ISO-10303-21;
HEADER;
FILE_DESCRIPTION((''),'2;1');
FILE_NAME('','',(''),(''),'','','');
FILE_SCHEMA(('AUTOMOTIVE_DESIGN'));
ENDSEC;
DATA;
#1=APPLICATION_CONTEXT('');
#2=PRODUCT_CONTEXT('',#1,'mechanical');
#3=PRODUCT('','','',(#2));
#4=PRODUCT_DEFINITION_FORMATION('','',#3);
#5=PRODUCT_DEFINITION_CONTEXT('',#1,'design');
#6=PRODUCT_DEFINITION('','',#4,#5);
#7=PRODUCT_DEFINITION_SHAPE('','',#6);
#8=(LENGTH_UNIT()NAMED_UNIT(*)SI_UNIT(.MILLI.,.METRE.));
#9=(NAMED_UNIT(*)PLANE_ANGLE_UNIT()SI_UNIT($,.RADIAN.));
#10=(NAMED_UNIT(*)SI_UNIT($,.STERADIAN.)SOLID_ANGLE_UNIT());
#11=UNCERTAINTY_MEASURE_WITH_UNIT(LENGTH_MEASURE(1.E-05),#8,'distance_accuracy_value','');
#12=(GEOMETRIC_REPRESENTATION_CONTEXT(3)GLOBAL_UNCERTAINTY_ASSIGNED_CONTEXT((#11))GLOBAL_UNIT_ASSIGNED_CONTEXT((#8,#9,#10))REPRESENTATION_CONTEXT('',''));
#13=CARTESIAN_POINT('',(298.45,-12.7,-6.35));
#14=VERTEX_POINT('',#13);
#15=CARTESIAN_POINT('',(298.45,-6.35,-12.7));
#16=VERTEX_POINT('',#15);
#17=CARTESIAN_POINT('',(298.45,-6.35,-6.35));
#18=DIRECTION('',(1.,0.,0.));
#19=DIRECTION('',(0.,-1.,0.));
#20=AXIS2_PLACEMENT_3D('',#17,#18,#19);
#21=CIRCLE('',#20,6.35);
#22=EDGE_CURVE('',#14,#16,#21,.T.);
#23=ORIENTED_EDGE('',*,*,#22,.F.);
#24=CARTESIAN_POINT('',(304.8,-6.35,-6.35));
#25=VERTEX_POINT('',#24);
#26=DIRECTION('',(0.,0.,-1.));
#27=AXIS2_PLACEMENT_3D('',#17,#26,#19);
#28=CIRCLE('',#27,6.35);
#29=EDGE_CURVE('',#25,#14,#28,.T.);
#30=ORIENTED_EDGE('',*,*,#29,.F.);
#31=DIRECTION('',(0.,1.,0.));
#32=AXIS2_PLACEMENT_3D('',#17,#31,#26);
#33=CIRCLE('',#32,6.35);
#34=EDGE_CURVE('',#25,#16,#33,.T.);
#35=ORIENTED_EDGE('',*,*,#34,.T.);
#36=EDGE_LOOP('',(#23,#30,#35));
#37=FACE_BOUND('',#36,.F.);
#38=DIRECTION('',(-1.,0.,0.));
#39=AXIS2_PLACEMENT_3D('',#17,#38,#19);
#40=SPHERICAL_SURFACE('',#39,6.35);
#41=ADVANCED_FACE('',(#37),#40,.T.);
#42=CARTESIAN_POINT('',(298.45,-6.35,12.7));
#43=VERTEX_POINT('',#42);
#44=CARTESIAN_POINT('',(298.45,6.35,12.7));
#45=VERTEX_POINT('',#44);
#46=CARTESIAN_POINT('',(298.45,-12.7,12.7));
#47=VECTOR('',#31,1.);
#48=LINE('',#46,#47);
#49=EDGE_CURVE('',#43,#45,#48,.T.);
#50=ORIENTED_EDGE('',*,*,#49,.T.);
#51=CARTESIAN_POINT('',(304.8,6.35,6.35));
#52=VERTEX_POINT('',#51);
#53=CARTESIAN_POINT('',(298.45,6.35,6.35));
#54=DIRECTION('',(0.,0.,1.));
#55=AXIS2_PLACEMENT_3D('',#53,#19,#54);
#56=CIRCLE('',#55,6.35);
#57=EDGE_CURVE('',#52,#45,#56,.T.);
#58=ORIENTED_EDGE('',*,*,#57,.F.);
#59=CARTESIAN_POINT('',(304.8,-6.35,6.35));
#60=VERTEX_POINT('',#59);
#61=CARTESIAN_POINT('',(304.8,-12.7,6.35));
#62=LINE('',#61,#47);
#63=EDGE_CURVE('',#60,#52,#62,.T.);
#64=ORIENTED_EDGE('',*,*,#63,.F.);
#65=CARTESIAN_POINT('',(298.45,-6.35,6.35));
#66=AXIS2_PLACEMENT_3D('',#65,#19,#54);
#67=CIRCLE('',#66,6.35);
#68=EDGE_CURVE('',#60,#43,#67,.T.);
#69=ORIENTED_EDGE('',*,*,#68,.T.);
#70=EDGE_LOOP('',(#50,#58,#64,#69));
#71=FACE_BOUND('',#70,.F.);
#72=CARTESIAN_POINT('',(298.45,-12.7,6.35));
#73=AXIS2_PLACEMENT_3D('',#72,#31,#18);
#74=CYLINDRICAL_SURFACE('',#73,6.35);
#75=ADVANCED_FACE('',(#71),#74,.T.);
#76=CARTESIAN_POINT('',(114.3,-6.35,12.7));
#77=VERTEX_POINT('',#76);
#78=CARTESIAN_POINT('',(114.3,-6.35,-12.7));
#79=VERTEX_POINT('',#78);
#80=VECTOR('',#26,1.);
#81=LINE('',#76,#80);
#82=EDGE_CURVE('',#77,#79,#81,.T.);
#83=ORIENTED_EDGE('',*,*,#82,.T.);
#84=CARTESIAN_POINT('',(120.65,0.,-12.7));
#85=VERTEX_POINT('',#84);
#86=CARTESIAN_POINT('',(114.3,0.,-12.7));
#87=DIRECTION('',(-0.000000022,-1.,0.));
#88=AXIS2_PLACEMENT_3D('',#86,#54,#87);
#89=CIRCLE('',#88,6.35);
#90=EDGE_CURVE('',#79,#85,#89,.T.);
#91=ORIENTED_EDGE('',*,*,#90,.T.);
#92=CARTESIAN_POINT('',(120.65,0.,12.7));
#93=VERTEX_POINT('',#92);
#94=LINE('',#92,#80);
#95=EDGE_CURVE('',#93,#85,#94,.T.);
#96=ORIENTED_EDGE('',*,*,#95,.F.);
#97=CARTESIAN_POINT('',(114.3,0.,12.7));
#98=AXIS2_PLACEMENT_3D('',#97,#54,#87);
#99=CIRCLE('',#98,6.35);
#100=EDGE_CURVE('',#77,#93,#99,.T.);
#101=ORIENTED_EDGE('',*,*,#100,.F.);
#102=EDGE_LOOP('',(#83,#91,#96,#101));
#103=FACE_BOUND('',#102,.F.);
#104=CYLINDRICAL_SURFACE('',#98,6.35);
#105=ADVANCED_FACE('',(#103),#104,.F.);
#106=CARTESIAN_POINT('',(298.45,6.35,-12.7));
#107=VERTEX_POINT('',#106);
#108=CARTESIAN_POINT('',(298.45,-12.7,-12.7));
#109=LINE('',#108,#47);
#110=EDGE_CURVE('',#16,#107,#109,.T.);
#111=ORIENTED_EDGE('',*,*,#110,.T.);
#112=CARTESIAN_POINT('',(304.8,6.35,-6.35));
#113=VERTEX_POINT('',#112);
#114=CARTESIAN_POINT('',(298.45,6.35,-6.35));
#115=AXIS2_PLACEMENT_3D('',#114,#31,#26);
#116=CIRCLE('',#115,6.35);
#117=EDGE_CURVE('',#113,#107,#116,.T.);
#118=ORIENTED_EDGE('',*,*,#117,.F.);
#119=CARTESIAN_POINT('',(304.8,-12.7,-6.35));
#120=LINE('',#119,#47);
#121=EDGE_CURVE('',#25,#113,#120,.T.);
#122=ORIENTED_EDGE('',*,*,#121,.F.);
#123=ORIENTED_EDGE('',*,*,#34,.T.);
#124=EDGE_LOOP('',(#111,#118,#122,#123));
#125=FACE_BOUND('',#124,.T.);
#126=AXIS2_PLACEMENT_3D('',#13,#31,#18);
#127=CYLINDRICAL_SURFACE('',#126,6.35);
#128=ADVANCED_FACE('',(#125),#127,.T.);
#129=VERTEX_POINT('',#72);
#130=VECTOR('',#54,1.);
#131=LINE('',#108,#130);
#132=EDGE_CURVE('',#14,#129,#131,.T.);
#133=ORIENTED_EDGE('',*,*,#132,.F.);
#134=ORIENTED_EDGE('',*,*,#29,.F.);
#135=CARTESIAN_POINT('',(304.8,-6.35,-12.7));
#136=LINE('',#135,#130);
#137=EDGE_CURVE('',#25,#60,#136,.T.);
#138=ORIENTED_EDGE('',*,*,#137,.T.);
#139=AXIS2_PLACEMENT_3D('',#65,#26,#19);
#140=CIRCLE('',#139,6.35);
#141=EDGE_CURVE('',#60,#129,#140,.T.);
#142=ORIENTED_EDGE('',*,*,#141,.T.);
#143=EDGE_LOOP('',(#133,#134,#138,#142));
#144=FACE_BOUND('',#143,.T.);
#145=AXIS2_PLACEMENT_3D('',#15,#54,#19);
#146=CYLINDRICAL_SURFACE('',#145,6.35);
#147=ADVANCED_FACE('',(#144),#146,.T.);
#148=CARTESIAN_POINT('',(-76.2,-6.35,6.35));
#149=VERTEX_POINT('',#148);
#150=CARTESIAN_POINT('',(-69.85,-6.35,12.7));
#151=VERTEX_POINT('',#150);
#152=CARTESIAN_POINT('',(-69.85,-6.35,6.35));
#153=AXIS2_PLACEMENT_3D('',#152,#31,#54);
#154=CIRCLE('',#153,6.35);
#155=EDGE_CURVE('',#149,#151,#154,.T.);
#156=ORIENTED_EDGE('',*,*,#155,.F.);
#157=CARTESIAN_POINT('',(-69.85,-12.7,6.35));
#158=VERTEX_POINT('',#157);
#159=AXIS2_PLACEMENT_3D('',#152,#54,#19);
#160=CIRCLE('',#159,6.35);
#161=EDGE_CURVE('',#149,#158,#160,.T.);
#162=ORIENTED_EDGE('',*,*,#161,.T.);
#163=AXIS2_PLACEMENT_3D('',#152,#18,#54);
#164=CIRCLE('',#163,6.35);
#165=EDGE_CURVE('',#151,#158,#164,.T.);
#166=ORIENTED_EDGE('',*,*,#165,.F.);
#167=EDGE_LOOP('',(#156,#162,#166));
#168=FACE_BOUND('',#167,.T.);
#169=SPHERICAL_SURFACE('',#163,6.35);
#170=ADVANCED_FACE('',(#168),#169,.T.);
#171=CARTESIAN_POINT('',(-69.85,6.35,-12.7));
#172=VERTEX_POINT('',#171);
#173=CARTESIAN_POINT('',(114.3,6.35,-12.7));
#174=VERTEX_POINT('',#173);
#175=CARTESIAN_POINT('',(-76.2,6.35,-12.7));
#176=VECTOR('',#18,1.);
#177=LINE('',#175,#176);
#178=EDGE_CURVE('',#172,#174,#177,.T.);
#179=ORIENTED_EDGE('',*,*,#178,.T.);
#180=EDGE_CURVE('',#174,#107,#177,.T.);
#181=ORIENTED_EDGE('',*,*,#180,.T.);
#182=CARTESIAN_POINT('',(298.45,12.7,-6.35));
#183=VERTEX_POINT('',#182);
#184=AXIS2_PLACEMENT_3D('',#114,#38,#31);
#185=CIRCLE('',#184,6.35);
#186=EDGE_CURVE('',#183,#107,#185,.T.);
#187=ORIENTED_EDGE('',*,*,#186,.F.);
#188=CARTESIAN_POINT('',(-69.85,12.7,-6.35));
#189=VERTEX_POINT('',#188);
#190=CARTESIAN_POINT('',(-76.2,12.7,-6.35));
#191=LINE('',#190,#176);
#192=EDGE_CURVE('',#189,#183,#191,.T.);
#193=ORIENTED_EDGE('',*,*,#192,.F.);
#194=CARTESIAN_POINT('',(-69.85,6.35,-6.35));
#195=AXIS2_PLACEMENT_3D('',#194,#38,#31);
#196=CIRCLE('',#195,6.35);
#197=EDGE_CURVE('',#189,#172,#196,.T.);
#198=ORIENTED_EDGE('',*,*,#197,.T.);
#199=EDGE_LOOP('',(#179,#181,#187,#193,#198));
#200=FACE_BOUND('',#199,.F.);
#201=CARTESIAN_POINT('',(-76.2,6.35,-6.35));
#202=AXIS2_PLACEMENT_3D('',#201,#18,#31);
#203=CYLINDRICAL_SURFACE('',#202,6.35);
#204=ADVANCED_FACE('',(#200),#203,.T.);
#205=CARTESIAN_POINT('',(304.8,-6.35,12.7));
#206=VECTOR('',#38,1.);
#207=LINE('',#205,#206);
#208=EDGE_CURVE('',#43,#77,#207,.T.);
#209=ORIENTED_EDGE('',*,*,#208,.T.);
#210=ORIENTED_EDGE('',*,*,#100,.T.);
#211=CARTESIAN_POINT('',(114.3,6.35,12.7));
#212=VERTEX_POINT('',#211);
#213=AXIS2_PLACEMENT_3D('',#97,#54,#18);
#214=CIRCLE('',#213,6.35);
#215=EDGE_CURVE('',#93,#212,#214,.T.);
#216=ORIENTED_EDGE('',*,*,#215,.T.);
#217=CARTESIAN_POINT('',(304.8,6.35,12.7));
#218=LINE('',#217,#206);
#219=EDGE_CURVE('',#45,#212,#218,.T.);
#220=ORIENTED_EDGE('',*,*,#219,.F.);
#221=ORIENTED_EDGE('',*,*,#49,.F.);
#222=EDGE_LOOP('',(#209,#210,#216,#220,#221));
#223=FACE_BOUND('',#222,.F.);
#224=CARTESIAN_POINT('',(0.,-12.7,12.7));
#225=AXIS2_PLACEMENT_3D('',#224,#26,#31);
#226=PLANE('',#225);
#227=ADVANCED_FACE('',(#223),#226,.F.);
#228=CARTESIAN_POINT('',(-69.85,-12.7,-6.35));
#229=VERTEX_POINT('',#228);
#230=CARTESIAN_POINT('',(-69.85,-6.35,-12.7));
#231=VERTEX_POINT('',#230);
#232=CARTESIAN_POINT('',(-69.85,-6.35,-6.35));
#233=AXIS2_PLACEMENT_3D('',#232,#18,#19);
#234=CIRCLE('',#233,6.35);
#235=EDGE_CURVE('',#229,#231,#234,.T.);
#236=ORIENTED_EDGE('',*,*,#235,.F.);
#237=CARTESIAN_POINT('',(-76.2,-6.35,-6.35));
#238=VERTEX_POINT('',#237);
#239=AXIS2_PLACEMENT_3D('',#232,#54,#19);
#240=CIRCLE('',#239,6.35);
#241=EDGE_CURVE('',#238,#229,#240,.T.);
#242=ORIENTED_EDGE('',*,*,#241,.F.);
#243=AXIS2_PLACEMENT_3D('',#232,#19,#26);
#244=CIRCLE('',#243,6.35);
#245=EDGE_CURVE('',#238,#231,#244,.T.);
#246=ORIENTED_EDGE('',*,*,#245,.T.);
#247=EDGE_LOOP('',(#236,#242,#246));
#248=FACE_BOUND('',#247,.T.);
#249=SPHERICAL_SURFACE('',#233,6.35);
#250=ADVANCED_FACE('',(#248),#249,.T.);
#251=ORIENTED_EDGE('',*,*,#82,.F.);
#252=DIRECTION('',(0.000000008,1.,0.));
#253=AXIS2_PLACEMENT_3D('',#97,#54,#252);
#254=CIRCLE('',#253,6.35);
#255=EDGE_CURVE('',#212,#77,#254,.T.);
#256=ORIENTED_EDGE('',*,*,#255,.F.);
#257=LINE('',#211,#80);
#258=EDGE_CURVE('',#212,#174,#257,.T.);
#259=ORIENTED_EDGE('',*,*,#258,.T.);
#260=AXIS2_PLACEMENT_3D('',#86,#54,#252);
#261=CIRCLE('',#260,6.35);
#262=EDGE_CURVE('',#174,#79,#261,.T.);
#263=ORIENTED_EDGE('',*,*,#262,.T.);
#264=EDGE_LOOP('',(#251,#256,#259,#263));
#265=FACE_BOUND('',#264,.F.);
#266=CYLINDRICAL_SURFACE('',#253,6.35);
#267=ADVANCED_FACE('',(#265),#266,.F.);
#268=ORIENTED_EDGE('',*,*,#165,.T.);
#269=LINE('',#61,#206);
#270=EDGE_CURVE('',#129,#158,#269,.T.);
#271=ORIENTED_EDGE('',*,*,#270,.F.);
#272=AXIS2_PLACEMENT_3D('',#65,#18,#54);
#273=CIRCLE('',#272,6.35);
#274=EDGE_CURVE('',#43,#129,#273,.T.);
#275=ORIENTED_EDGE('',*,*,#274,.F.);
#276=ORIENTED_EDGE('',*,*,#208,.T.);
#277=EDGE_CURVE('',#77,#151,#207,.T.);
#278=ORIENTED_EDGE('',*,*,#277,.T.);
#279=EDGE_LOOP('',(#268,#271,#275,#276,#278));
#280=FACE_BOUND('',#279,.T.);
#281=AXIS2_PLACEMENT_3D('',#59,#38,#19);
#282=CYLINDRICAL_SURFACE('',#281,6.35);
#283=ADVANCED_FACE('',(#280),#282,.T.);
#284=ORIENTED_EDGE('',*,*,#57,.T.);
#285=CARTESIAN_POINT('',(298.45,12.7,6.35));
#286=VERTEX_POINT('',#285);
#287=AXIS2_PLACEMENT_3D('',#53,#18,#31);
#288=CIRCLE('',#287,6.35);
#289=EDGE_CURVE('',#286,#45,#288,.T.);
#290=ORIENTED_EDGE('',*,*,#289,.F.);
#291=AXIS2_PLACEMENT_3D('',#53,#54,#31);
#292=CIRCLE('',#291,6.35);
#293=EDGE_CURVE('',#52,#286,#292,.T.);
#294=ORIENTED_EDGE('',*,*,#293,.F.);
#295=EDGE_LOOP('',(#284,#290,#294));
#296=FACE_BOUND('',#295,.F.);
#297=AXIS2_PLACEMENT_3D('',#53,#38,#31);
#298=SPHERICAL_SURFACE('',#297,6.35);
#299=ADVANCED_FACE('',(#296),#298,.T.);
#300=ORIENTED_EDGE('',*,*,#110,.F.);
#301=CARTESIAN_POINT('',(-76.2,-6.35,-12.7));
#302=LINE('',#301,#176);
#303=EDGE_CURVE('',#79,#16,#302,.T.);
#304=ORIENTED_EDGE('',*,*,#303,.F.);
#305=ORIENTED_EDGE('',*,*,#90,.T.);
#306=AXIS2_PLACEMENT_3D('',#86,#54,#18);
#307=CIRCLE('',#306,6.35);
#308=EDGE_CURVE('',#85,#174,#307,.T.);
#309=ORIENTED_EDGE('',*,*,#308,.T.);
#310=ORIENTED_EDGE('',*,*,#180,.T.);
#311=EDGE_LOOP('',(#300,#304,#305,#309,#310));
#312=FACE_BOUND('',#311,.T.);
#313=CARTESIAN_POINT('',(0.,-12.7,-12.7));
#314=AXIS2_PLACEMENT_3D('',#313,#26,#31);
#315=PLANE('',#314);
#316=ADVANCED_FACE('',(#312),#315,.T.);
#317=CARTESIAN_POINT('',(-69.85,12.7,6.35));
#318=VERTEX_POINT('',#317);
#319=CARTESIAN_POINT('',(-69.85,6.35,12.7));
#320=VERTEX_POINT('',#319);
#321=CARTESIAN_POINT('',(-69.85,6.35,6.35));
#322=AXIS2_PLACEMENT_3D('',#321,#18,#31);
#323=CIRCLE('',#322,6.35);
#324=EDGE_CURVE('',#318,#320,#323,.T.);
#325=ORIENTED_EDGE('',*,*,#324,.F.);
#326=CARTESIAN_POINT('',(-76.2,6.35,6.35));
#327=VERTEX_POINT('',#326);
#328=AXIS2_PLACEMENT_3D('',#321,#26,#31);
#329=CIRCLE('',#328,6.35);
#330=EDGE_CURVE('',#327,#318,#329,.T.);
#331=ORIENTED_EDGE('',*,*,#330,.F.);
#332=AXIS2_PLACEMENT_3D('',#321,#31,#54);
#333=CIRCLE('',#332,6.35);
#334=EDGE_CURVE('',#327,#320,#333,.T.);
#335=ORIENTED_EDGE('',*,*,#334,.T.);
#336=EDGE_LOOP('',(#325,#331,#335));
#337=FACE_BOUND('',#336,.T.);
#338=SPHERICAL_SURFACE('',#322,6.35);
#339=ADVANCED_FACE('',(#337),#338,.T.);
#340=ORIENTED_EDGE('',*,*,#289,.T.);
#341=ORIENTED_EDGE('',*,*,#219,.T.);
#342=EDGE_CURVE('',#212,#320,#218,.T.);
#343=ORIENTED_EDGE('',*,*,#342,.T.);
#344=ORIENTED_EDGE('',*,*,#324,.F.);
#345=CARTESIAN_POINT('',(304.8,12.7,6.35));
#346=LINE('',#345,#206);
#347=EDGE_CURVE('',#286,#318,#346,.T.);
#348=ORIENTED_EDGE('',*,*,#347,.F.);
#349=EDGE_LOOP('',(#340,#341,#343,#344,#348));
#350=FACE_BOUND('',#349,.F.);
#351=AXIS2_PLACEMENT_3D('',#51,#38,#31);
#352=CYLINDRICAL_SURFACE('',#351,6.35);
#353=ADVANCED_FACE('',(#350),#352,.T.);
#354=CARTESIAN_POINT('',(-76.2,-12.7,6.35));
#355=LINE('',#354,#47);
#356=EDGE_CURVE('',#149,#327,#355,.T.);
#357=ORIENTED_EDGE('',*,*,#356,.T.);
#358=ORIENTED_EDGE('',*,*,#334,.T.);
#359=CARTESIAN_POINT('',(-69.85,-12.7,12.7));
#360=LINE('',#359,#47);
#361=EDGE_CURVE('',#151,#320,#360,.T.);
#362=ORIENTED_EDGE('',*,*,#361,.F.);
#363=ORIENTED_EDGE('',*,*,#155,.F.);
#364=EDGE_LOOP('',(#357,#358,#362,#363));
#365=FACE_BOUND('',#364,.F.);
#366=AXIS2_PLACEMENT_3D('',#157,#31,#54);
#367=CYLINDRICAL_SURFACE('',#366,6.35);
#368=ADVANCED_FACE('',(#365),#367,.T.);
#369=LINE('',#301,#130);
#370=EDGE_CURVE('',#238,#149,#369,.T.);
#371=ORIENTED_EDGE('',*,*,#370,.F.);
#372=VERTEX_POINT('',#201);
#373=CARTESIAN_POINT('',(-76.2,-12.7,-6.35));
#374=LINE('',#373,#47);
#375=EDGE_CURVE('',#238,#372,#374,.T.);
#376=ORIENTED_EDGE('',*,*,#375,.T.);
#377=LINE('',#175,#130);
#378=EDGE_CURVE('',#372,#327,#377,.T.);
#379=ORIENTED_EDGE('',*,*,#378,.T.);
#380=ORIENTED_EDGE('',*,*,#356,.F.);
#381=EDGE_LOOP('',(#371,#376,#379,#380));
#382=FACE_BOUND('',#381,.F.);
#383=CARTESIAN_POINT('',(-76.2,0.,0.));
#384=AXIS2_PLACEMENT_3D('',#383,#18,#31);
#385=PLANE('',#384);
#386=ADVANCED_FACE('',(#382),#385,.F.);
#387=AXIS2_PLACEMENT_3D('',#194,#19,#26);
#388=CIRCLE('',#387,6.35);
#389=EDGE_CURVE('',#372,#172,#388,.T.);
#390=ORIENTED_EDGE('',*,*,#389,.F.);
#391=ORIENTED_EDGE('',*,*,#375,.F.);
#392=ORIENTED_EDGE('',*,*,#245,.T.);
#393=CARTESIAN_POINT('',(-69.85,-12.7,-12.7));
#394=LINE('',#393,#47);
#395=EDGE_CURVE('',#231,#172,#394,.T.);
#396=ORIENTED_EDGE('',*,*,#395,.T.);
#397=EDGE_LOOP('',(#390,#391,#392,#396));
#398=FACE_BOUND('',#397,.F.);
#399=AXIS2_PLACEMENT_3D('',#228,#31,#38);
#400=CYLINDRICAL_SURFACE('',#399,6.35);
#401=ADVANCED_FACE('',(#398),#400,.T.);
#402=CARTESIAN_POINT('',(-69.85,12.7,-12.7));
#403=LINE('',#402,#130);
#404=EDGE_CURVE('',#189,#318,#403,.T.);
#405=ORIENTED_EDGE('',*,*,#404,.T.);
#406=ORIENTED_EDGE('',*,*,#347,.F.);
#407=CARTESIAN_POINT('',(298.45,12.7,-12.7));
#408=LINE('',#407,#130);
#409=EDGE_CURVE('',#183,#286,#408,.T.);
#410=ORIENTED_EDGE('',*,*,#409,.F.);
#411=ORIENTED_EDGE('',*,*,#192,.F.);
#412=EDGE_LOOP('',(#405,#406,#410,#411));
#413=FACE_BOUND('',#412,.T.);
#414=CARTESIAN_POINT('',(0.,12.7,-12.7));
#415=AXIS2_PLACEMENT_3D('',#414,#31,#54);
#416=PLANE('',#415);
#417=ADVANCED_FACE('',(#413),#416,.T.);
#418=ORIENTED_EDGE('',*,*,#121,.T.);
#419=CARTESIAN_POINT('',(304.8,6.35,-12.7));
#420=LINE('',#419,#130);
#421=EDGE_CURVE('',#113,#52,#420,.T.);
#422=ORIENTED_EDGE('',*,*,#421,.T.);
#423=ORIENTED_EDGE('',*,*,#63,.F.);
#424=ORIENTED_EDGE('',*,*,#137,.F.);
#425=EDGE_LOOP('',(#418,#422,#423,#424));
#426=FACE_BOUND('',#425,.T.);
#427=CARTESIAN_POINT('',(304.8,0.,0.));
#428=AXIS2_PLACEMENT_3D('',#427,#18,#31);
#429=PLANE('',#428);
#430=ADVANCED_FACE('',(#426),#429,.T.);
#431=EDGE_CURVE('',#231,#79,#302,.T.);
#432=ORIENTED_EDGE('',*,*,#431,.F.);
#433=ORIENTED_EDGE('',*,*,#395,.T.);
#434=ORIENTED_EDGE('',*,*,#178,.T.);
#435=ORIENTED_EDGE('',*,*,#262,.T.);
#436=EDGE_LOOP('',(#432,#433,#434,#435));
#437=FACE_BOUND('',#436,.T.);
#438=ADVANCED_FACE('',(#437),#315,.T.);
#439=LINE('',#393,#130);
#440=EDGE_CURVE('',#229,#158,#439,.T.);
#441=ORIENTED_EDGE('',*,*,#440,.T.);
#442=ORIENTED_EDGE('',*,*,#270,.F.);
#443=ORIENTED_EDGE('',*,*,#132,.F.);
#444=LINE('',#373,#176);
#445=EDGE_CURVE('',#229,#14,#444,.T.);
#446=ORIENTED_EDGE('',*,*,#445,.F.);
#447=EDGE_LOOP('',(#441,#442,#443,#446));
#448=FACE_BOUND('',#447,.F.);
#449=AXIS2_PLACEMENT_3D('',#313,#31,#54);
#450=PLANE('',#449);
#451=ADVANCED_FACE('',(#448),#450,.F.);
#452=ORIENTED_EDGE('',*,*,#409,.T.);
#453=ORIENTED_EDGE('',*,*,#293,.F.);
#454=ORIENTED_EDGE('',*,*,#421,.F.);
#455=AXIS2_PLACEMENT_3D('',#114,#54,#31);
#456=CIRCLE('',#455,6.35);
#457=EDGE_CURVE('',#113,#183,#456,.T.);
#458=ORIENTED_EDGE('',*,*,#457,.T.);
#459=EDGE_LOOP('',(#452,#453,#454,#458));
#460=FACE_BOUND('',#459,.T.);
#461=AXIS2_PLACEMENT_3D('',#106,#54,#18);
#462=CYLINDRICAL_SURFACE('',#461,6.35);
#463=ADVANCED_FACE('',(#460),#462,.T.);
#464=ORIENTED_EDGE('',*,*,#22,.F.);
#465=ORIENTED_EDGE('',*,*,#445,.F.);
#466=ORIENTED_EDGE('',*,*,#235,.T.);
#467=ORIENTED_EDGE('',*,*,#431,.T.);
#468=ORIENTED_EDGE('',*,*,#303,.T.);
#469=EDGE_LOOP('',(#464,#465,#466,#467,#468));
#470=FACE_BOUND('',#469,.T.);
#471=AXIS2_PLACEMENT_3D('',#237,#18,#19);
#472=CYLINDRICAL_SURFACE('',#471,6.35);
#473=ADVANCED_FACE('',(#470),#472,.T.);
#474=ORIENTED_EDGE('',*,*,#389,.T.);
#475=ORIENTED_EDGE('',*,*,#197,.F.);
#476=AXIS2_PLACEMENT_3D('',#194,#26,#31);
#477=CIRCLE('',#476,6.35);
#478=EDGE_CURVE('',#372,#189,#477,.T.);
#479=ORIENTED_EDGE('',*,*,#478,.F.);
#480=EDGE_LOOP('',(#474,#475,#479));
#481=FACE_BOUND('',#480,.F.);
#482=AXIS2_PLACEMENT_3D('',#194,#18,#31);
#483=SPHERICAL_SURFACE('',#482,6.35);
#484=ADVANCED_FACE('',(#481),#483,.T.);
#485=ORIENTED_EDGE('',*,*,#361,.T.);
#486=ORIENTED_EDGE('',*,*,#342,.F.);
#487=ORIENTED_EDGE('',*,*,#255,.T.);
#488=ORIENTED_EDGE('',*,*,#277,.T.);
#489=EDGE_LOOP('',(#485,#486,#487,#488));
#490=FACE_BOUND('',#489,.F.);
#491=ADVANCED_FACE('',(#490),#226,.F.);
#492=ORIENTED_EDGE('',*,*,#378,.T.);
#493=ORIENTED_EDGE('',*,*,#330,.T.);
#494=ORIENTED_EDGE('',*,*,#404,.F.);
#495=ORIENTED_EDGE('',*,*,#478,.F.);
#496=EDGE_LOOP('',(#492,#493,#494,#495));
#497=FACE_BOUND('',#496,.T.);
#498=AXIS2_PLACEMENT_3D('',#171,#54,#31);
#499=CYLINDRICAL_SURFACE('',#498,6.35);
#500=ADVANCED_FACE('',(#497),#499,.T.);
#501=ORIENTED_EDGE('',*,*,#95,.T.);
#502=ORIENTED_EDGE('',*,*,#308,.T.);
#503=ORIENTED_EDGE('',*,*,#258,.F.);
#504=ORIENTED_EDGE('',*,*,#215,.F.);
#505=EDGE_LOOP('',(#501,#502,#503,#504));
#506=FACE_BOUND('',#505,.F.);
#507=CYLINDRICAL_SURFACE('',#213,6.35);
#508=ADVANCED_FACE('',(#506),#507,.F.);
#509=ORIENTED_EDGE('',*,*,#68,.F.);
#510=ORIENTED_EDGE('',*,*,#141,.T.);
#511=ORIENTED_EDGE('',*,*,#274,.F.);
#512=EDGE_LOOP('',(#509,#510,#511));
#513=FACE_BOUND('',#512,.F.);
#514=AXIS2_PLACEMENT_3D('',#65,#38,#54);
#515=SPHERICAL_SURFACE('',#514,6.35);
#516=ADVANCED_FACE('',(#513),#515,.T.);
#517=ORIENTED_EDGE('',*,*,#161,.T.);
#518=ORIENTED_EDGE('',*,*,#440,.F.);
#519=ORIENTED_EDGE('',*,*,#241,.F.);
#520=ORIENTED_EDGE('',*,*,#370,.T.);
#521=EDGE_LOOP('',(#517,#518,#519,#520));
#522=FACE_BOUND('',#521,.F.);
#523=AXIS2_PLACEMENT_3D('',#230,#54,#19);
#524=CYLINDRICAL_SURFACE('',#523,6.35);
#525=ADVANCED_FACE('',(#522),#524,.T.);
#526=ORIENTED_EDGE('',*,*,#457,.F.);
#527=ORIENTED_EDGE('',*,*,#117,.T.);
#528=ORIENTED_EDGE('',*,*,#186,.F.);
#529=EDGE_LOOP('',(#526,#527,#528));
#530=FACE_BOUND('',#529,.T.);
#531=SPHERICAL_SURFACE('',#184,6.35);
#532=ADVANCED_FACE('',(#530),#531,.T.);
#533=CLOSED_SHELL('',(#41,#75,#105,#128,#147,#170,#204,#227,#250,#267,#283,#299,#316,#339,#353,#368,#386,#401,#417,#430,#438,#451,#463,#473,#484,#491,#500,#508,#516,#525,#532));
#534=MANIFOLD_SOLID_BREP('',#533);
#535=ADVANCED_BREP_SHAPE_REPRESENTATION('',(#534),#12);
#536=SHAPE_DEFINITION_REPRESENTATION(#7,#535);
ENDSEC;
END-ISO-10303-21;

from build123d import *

# Parameters (mm, degrees)
F0_W          = 25.4
F0_H          = 25.4
F1_DEPTH      = 304.8
F1_DEPTH_BACK = 76.2
F2_R          = 6.35
F4_DEPTH      = 25.401


with BuildPart() as f1:
    # F0 (on Right) → F1 (new body, two sides)
    with BuildSketch(Plane.YZ) as f1_sk:
        Rectangle(F0_W, F0_H)
    extrude(amount=F1_DEPTH)
    extrude(f1_sk.sketch, amount=-F1_DEPTH_BACK)

    # F2
    f2_edges = [f1.edges().sort_by_distance(p)[0] for p in [
        (114.3, -12.7, 12.7),
        (114.3, 12.7, 12.7),
        (114.3, -12.7, -12.7),
        (114.3, 12.7, -12.7),
        (304.8, 12.7, 0),
        (304.8, 0, 12.7),
        (304.8, -12.7, 0),
        (304.8, 0, -12.7),
        (-76.2, 12.7, 0),
        (-76.2, 0, 12.7),
        (-76.2, -12.7, 0),
        (-76.2, 0, -12.7),
    ]]
    fillet(f2_edges, radius=F2_R)

    # F3 (on face) → F4 (cut, through all)
    with BuildSketch(Plane.XY.offset(12.7)):
        with BuildLine():
            ThreePointArc((114.2999998593, -6.35), (118.7901280108, -4.4901281103), (120.65, 0))
            ThreePointArc((120.65, 0), (118.7901280791, 4.4901280419), (114.3000000526, 6.35))
            ThreePointArc((114.3000000526, 6.35), (107.95, 9.66e-08), (114.2999998593, -6.35))
        make_face()
    extrude(amount=-F4_DEPTH, mode=Mode.SUBTRACT)


solid = f1.part
